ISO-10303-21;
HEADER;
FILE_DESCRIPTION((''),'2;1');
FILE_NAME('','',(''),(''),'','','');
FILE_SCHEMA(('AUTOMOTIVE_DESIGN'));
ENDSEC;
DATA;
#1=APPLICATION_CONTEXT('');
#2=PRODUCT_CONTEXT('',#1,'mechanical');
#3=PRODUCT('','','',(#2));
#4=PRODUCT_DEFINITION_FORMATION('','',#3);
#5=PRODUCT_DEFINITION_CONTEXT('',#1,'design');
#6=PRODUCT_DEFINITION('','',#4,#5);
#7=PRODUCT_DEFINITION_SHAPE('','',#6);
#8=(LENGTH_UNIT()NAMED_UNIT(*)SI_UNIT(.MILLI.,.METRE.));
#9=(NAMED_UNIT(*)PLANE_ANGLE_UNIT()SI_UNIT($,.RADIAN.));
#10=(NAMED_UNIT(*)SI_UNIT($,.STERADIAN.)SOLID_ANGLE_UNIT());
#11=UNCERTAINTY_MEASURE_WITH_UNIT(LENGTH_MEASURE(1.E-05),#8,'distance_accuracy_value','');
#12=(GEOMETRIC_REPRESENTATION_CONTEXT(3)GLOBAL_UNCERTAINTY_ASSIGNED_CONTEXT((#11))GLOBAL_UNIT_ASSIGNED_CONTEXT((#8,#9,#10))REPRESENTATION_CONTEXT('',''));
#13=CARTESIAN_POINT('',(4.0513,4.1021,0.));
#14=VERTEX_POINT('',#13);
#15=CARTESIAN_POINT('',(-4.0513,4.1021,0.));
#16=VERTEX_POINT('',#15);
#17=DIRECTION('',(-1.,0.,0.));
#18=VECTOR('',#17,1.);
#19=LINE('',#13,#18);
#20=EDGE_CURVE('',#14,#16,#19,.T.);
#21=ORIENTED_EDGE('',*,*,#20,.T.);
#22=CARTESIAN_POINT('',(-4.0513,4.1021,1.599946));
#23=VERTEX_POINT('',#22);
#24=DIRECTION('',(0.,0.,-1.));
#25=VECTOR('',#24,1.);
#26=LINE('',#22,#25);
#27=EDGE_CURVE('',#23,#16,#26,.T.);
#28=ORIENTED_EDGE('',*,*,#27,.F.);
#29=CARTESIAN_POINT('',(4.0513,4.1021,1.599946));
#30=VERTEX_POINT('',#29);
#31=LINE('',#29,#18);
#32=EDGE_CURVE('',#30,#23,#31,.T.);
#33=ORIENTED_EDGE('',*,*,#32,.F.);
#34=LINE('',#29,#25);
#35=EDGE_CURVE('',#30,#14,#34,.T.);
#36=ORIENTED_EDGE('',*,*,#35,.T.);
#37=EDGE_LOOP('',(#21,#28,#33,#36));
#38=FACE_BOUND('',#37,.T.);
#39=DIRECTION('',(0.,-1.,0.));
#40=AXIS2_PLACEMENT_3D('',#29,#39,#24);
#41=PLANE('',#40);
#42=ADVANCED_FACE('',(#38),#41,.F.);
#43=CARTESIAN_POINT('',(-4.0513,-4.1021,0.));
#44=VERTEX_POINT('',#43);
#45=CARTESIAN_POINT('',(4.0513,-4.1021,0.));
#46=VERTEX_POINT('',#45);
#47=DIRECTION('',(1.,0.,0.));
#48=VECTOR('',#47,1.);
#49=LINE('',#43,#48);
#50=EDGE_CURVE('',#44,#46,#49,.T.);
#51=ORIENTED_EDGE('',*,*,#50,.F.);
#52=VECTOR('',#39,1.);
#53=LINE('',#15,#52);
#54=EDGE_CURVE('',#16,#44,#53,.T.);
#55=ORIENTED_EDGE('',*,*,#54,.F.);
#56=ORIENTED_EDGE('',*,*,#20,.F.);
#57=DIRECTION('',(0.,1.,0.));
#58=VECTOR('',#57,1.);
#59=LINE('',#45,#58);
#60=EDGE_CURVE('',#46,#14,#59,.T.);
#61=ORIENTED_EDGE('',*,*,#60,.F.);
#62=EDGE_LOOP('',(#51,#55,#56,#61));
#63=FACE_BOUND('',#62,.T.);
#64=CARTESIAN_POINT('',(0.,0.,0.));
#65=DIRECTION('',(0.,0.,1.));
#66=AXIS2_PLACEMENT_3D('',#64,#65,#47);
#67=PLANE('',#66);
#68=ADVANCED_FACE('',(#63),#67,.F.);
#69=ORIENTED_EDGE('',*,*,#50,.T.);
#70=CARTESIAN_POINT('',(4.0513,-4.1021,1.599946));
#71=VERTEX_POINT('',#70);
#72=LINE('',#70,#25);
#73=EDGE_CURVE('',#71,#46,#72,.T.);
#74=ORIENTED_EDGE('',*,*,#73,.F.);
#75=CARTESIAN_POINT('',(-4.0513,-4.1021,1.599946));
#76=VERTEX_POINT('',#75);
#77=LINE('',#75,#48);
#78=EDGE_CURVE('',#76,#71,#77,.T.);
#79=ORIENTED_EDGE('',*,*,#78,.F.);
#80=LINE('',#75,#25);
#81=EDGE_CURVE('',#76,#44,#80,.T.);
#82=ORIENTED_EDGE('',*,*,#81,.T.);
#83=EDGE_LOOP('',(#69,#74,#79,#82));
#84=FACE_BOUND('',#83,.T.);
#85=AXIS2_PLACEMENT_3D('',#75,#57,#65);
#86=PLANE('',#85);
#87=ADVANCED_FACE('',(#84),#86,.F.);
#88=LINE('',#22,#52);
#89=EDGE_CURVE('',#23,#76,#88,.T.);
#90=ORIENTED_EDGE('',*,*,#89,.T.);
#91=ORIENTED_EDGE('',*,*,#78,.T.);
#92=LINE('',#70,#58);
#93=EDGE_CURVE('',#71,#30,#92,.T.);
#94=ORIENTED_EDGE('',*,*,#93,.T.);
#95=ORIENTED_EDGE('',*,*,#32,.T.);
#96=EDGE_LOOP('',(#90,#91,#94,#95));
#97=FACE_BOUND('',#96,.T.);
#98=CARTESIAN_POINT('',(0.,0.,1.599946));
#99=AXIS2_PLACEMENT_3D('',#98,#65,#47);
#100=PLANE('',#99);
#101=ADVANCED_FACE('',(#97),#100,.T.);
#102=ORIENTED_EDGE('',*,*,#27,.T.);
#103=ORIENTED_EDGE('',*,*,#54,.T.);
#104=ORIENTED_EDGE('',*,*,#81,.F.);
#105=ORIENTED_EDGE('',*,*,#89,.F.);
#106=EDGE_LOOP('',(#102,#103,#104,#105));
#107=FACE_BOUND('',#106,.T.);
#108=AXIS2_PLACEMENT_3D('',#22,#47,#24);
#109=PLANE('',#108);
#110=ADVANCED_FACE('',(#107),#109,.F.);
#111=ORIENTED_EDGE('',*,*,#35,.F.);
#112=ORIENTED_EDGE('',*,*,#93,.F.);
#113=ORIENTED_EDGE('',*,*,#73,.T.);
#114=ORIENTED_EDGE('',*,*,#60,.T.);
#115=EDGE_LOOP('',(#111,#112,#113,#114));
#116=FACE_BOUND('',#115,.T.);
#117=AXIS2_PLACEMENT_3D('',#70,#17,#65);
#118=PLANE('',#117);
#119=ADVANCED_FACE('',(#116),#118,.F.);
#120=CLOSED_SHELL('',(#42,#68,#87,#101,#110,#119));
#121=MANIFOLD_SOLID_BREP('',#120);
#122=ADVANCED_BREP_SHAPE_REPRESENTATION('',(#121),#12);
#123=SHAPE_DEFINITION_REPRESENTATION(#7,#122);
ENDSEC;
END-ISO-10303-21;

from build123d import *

# Parameters (mm, degrees)
SKETCH1_W               = 8.1026
SKETCH1_H               = 8.2042
COMPONENT_OUTLINE_DEPTH = 1.599946


with BuildPart() as part:
    # Sketch1 → Component_Outline (new body)
    with BuildSketch(Plane.XY):
        Rectangle(SKETCH1_W, SKETCH1_H)
    extrude(amount=COMPONENT_OUTLINE_DEPTH)


solid = part.part
